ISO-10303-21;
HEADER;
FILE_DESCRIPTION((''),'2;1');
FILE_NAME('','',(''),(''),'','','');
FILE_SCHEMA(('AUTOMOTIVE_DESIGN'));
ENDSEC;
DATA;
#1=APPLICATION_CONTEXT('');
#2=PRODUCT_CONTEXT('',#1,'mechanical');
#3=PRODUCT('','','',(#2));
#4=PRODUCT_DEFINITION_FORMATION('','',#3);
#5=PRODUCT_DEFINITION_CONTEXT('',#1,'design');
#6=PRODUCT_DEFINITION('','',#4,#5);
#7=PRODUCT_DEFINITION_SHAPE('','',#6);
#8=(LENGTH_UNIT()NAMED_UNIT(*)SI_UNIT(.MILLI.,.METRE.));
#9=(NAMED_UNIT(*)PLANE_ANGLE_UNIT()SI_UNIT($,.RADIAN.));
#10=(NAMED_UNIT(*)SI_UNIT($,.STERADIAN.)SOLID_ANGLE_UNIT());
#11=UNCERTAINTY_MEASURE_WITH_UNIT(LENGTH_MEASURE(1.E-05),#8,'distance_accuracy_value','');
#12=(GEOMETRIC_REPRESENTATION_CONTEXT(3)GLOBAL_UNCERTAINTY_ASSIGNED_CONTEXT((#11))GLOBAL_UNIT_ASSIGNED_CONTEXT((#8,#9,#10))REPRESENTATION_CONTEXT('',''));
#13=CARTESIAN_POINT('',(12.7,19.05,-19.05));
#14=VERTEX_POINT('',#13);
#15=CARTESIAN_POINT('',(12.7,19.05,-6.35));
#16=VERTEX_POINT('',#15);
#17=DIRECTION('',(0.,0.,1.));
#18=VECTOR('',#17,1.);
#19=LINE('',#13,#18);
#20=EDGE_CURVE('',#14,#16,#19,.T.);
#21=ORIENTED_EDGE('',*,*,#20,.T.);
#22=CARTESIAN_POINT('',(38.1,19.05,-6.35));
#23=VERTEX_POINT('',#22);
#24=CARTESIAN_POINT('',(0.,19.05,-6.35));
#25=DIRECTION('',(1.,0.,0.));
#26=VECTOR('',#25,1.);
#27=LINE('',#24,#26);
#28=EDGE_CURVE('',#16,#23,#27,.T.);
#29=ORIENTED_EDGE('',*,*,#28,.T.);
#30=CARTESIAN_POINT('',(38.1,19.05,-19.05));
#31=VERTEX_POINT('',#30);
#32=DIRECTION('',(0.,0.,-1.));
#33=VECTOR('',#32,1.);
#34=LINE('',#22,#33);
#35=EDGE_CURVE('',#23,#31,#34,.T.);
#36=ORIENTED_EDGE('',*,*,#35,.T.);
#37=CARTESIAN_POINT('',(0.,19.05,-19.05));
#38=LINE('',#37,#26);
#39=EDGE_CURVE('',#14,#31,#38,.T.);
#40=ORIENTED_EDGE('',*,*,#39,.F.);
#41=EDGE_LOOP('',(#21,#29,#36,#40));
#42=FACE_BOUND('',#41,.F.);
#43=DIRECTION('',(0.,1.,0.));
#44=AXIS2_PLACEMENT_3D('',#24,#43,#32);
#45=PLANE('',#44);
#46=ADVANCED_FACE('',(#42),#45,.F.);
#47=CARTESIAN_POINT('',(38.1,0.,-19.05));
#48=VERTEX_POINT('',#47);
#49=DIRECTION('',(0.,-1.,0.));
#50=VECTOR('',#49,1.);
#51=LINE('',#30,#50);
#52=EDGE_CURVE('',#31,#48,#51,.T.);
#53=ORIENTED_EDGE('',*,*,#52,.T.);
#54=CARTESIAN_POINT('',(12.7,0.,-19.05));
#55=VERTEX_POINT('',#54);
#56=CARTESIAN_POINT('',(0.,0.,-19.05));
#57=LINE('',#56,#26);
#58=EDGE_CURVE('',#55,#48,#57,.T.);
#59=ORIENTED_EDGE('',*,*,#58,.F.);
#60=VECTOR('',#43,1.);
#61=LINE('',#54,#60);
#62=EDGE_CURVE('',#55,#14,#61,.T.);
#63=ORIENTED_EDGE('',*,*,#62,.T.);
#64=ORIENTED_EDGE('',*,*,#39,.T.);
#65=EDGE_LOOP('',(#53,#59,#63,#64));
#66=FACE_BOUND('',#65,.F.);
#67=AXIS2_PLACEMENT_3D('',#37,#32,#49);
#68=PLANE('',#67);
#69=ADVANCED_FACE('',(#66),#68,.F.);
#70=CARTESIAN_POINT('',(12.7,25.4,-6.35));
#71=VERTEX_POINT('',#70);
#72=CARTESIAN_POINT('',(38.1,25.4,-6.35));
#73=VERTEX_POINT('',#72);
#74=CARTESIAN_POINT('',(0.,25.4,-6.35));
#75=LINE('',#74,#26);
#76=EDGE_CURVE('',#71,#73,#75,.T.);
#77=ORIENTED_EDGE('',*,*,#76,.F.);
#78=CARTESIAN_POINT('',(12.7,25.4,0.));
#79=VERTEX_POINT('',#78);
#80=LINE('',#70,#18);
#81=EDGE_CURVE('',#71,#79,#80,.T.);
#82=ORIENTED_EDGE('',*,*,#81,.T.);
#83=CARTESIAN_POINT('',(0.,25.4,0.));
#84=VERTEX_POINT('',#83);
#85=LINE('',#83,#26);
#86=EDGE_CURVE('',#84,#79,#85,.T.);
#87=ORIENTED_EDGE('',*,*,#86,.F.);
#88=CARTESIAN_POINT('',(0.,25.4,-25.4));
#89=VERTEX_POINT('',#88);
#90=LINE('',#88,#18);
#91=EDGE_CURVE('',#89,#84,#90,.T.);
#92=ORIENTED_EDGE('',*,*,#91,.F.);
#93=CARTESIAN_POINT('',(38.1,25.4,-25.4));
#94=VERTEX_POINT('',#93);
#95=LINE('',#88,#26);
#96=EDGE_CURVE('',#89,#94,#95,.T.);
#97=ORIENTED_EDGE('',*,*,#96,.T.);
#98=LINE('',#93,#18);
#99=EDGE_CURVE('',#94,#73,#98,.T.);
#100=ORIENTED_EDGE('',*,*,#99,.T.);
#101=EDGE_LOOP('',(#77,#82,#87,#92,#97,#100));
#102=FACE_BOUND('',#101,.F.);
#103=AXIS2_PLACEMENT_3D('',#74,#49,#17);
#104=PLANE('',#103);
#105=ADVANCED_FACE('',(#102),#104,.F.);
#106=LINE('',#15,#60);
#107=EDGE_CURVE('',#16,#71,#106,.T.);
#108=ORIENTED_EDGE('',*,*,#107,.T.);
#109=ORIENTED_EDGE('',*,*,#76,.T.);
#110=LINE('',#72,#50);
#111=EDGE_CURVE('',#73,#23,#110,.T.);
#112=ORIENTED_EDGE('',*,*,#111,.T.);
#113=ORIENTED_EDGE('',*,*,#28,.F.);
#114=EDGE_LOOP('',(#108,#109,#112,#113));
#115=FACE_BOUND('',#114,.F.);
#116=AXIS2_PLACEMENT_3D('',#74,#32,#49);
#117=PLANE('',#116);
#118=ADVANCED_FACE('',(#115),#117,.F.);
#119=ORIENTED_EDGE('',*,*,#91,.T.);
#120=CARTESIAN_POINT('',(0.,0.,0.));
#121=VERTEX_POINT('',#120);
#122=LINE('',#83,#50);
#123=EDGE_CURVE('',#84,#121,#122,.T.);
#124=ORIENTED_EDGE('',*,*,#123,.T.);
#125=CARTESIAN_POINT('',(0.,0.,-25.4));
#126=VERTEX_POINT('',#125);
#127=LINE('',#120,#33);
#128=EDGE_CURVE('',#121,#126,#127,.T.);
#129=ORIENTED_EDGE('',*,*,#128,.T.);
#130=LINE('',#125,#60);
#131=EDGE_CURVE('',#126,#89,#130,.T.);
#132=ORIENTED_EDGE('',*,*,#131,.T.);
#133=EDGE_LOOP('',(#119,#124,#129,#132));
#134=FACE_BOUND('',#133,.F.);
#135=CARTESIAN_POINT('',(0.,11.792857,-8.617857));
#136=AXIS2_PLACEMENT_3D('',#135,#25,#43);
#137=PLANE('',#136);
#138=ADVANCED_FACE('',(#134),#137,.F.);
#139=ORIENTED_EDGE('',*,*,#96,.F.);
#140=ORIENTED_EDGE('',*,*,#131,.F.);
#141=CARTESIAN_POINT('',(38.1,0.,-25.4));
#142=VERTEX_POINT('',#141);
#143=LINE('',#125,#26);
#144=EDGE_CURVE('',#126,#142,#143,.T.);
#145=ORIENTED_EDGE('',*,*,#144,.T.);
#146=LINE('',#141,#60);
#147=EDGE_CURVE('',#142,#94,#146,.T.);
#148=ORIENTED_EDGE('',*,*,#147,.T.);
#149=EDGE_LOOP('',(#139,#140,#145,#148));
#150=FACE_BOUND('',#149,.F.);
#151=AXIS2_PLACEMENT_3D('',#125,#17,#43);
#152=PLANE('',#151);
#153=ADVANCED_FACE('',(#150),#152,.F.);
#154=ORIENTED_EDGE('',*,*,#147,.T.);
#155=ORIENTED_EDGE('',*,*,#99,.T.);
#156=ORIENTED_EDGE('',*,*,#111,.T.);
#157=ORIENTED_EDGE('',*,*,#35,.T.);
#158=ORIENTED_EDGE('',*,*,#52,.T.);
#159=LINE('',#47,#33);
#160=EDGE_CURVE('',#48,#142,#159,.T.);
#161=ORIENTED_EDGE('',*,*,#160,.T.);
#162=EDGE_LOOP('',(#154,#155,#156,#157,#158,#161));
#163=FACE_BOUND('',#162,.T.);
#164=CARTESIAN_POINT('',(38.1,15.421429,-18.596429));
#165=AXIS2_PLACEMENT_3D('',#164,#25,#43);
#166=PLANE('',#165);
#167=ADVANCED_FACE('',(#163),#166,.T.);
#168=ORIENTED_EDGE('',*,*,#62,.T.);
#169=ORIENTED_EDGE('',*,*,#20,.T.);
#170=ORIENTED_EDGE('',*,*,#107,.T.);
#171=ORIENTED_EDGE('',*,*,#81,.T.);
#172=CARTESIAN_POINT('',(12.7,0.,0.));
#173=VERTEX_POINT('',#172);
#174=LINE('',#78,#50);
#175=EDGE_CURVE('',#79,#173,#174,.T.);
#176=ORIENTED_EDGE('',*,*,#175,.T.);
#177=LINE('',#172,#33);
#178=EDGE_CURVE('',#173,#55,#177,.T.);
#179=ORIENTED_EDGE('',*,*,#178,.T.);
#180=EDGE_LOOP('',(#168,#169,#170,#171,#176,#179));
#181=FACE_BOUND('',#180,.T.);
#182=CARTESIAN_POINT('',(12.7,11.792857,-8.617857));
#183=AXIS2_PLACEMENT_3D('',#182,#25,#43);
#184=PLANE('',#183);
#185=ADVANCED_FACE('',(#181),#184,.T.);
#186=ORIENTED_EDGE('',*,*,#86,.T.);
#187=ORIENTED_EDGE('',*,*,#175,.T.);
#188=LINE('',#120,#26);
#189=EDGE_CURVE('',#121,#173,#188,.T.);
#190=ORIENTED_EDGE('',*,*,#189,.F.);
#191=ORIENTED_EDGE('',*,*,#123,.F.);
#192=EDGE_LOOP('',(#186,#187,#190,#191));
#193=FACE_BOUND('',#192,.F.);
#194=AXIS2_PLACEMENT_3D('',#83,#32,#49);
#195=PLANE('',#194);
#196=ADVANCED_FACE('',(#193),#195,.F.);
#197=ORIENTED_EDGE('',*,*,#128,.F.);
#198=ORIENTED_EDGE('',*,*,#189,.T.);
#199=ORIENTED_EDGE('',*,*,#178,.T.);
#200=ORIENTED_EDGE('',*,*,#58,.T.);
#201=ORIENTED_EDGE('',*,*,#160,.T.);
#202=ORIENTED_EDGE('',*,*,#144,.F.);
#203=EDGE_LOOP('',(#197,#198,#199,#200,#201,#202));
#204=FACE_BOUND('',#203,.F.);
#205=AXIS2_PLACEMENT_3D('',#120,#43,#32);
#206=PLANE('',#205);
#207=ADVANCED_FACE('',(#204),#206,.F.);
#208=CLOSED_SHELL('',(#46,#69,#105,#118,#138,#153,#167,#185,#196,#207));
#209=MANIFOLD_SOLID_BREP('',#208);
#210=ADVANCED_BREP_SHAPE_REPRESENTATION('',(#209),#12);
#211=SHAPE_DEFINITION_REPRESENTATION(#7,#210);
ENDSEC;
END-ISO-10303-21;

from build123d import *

# Parameters (mm, degrees)
F1_DEPTH = 38.1
F2_DEPTH = 12.7


with BuildPart() as f1:
    # F0 (on Right) → F1 (new body)
    with BuildSketch(Plane.YZ):
        Polygon((19.05, -19.05), (0, -19.05), (0, -25.4), (19.05, -25.4), (25.4, -25.4), (25.4, -19.05), (25.4, -6.35), (19.05, -6.35), align=None)
    extrude(amount=F1_DEPTH)

    # F0 (on Right) → F2 (join)
    with BuildSketch(Plane.YZ):
        Polygon((25.4, 0), (0, 0), (0, -19.05), (19.05, -19.05), (19.05, -6.35), (25.4, -6.35), align=None)
    extrude(amount=F2_DEPTH)


solid = f1.part
